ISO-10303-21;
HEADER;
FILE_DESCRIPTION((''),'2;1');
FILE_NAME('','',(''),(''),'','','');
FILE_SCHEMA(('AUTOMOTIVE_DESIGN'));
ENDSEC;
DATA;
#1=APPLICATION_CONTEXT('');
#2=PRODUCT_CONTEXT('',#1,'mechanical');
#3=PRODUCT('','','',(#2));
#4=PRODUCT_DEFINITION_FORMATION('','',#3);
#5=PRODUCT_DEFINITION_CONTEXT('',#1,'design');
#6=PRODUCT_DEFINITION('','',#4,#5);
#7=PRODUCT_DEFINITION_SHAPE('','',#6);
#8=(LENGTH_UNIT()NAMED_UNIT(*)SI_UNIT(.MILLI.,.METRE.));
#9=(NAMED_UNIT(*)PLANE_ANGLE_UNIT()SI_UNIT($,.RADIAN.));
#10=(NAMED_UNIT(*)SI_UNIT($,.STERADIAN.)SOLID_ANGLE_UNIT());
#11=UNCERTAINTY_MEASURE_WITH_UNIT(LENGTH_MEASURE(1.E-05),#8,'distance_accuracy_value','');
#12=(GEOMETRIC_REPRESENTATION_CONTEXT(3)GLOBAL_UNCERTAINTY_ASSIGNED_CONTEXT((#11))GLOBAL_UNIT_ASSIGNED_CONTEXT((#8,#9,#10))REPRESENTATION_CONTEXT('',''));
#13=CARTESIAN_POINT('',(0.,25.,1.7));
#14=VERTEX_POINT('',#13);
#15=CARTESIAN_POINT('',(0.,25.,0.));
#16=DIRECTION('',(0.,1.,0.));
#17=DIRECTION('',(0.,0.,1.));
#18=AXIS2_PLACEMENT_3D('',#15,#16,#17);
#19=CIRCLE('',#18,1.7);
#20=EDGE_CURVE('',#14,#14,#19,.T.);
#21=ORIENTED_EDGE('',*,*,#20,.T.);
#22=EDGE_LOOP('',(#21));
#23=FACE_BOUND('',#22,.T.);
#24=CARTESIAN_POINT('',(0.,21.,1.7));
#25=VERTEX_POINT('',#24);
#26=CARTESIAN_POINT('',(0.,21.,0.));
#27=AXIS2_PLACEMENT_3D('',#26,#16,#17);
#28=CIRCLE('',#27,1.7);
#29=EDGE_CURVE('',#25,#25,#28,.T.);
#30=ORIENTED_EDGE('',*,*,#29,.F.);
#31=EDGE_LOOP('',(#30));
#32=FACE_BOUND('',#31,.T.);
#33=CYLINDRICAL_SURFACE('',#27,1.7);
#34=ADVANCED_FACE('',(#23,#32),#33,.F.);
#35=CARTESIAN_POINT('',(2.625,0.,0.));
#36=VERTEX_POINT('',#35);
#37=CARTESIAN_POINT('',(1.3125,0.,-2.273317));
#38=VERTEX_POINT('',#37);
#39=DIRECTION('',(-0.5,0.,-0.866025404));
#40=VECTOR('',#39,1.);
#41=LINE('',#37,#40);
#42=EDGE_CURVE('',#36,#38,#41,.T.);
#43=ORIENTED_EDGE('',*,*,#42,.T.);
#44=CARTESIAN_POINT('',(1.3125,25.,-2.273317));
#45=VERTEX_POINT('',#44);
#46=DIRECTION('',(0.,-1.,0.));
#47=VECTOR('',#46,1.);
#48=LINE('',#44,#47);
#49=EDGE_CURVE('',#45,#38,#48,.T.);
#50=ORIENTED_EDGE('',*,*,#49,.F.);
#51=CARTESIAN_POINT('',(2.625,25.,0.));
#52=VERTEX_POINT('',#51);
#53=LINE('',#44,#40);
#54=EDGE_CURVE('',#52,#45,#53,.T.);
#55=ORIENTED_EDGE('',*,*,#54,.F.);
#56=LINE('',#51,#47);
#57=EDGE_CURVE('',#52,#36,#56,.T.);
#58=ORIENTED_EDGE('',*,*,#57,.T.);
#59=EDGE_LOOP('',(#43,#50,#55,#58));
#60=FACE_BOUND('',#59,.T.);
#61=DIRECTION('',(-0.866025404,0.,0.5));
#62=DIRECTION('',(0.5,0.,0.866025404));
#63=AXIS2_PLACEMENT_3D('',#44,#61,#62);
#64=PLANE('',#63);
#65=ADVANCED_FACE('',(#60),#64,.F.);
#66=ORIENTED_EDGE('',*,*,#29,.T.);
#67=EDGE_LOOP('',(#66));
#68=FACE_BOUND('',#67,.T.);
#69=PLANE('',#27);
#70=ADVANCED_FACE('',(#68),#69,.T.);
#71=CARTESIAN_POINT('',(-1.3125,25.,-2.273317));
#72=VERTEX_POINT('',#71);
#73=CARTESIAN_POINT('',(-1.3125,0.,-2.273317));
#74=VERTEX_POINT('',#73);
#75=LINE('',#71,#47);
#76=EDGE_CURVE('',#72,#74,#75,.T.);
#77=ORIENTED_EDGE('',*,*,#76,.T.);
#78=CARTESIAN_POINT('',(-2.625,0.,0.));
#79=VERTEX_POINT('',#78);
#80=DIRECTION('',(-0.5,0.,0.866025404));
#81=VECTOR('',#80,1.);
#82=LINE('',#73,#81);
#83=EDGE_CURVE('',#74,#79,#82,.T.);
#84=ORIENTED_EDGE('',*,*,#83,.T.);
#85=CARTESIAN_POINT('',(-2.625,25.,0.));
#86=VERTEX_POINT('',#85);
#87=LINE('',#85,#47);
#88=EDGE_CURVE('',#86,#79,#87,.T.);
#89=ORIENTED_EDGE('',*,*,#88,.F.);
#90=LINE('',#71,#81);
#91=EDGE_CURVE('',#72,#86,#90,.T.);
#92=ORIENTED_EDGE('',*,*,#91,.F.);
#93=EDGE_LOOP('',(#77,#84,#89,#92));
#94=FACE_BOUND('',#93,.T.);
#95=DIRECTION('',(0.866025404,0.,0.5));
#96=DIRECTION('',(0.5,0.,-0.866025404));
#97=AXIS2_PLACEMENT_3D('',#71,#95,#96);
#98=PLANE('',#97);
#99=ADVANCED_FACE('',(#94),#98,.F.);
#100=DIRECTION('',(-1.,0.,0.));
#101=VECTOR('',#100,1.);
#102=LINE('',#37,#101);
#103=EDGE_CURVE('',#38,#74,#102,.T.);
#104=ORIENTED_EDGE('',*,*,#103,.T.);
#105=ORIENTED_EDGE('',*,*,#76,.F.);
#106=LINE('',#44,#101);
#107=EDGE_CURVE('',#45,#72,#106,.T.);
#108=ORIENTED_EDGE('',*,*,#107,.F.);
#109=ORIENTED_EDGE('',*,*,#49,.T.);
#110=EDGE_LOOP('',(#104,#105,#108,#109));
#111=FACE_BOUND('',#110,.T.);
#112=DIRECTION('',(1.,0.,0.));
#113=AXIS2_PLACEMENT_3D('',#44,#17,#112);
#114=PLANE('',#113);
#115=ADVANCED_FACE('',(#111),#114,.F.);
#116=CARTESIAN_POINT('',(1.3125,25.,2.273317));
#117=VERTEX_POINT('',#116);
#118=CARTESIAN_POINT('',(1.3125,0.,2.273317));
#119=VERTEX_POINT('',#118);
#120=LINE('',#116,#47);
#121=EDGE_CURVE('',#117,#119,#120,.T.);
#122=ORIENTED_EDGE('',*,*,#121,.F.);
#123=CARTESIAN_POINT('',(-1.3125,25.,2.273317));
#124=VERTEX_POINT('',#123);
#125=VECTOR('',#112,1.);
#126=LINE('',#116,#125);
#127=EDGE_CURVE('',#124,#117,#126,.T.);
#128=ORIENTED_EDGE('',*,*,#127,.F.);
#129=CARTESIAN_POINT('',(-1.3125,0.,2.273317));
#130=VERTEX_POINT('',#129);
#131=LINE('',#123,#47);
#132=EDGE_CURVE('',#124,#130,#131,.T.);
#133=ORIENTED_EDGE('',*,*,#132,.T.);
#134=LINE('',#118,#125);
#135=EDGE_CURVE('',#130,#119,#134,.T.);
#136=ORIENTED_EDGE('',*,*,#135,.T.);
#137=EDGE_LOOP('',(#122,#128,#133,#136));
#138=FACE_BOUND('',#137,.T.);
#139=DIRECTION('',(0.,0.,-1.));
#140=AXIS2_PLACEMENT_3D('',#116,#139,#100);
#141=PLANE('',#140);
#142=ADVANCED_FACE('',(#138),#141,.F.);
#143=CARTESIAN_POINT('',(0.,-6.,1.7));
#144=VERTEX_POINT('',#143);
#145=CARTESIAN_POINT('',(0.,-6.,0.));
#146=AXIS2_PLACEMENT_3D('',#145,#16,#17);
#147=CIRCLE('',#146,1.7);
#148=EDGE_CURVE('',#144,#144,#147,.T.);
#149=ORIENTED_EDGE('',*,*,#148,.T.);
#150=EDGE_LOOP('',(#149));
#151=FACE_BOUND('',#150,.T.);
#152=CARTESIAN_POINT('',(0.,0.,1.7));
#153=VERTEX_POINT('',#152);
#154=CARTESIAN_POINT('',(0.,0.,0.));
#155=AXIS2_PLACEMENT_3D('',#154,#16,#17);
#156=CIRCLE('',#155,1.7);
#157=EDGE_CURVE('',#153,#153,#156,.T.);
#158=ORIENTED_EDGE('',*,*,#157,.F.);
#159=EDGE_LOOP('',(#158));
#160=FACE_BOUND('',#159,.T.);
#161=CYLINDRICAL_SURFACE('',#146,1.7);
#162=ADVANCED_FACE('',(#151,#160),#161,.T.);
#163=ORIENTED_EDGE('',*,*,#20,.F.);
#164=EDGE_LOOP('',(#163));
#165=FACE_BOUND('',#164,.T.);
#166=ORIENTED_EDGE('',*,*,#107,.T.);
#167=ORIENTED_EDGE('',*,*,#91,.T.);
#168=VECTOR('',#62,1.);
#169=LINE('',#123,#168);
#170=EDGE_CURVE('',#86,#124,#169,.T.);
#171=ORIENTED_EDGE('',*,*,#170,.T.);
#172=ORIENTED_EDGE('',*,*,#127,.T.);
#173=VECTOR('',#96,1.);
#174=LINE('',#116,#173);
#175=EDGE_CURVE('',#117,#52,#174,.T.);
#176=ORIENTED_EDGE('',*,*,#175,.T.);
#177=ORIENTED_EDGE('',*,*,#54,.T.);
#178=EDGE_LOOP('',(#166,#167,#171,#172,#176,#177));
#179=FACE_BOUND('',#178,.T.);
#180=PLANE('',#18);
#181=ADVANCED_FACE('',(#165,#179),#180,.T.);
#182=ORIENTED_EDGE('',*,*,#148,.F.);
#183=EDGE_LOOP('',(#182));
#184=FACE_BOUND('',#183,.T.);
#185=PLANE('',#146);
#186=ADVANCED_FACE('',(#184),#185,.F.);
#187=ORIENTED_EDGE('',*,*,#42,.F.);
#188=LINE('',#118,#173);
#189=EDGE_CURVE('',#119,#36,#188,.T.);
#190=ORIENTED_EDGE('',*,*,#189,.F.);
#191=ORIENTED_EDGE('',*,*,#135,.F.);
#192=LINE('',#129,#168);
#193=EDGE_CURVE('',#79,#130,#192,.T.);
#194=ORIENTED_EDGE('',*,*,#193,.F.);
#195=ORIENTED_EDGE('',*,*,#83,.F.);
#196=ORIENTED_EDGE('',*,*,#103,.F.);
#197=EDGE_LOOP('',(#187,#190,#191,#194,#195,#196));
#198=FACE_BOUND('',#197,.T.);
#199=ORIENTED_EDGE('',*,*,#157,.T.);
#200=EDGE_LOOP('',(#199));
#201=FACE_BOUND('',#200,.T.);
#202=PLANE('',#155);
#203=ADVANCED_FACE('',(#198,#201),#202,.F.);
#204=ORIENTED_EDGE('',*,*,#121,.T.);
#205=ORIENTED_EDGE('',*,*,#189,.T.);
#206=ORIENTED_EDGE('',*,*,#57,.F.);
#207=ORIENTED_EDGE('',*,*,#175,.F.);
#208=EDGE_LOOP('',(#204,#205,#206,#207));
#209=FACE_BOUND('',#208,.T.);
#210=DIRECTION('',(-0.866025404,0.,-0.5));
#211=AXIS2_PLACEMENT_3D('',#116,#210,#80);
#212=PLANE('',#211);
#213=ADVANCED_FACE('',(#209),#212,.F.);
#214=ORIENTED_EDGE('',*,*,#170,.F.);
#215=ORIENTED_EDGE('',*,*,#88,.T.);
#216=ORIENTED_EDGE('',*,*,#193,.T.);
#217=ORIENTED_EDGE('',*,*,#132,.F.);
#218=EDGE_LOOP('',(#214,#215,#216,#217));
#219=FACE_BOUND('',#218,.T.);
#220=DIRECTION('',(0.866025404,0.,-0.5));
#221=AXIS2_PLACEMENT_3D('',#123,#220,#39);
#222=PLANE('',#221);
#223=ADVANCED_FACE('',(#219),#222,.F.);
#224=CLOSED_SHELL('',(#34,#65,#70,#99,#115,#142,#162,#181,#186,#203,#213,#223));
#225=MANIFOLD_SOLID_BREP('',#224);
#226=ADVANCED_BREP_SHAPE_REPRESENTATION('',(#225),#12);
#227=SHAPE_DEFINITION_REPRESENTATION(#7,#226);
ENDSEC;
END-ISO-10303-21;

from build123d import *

# Parameters (mm, degrees)
EXTRUDE_1_DEPTH     = 25
SKETCH_2_R          = 1.7
EXTRUDE_2_DEPTH     = 6
SKETCH_3_R          = 1.7
CUT_EXTRUDE_1_DEPTH = 4


with BuildPart() as part:
    # 草图1 → 凸台-拉伸1 (new body)
    with BuildSketch(Plane(origin=(0, 0, 0), x_dir=(1, 0, 0), z_dir=(0, 1, 0))):
        Polygon((1.3125, -2.273316685), (2.625, 0), (1.3125, 2.273316685), (-1.3125, 2.273316685), (-2.625, 0), (-1.3125, -2.273316685), align=None)
    extrude(amount=EXTRUDE_1_DEPTH)

    # 草图2 → 凸台-拉伸2 (add)
    with BuildSketch(Plane(origin=(0, 0, 0), x_dir=(1, 0, 0), z_dir=(0, 1, 0))):
        with Locations(Location((0, 0, 0), (0, 0, 270))):
            Circle(SKETCH_2_R)
    extrude(amount=-EXTRUDE_2_DEPTH)

    # 草图3 → 切除-拉伸1 (cut)
    with BuildSketch(Plane(origin=(0, 25, 0), x_dir=(1, 0, 0), z_dir=(0, 1, 0))):
        with Locations(Location((0, 0, 0), (0, 0, 270))):
            Circle(SKETCH_3_R)
    extrude(amount=-CUT_EXTRUDE_1_DEPTH, mode=Mode.SUBTRACT)


solid = part.part
